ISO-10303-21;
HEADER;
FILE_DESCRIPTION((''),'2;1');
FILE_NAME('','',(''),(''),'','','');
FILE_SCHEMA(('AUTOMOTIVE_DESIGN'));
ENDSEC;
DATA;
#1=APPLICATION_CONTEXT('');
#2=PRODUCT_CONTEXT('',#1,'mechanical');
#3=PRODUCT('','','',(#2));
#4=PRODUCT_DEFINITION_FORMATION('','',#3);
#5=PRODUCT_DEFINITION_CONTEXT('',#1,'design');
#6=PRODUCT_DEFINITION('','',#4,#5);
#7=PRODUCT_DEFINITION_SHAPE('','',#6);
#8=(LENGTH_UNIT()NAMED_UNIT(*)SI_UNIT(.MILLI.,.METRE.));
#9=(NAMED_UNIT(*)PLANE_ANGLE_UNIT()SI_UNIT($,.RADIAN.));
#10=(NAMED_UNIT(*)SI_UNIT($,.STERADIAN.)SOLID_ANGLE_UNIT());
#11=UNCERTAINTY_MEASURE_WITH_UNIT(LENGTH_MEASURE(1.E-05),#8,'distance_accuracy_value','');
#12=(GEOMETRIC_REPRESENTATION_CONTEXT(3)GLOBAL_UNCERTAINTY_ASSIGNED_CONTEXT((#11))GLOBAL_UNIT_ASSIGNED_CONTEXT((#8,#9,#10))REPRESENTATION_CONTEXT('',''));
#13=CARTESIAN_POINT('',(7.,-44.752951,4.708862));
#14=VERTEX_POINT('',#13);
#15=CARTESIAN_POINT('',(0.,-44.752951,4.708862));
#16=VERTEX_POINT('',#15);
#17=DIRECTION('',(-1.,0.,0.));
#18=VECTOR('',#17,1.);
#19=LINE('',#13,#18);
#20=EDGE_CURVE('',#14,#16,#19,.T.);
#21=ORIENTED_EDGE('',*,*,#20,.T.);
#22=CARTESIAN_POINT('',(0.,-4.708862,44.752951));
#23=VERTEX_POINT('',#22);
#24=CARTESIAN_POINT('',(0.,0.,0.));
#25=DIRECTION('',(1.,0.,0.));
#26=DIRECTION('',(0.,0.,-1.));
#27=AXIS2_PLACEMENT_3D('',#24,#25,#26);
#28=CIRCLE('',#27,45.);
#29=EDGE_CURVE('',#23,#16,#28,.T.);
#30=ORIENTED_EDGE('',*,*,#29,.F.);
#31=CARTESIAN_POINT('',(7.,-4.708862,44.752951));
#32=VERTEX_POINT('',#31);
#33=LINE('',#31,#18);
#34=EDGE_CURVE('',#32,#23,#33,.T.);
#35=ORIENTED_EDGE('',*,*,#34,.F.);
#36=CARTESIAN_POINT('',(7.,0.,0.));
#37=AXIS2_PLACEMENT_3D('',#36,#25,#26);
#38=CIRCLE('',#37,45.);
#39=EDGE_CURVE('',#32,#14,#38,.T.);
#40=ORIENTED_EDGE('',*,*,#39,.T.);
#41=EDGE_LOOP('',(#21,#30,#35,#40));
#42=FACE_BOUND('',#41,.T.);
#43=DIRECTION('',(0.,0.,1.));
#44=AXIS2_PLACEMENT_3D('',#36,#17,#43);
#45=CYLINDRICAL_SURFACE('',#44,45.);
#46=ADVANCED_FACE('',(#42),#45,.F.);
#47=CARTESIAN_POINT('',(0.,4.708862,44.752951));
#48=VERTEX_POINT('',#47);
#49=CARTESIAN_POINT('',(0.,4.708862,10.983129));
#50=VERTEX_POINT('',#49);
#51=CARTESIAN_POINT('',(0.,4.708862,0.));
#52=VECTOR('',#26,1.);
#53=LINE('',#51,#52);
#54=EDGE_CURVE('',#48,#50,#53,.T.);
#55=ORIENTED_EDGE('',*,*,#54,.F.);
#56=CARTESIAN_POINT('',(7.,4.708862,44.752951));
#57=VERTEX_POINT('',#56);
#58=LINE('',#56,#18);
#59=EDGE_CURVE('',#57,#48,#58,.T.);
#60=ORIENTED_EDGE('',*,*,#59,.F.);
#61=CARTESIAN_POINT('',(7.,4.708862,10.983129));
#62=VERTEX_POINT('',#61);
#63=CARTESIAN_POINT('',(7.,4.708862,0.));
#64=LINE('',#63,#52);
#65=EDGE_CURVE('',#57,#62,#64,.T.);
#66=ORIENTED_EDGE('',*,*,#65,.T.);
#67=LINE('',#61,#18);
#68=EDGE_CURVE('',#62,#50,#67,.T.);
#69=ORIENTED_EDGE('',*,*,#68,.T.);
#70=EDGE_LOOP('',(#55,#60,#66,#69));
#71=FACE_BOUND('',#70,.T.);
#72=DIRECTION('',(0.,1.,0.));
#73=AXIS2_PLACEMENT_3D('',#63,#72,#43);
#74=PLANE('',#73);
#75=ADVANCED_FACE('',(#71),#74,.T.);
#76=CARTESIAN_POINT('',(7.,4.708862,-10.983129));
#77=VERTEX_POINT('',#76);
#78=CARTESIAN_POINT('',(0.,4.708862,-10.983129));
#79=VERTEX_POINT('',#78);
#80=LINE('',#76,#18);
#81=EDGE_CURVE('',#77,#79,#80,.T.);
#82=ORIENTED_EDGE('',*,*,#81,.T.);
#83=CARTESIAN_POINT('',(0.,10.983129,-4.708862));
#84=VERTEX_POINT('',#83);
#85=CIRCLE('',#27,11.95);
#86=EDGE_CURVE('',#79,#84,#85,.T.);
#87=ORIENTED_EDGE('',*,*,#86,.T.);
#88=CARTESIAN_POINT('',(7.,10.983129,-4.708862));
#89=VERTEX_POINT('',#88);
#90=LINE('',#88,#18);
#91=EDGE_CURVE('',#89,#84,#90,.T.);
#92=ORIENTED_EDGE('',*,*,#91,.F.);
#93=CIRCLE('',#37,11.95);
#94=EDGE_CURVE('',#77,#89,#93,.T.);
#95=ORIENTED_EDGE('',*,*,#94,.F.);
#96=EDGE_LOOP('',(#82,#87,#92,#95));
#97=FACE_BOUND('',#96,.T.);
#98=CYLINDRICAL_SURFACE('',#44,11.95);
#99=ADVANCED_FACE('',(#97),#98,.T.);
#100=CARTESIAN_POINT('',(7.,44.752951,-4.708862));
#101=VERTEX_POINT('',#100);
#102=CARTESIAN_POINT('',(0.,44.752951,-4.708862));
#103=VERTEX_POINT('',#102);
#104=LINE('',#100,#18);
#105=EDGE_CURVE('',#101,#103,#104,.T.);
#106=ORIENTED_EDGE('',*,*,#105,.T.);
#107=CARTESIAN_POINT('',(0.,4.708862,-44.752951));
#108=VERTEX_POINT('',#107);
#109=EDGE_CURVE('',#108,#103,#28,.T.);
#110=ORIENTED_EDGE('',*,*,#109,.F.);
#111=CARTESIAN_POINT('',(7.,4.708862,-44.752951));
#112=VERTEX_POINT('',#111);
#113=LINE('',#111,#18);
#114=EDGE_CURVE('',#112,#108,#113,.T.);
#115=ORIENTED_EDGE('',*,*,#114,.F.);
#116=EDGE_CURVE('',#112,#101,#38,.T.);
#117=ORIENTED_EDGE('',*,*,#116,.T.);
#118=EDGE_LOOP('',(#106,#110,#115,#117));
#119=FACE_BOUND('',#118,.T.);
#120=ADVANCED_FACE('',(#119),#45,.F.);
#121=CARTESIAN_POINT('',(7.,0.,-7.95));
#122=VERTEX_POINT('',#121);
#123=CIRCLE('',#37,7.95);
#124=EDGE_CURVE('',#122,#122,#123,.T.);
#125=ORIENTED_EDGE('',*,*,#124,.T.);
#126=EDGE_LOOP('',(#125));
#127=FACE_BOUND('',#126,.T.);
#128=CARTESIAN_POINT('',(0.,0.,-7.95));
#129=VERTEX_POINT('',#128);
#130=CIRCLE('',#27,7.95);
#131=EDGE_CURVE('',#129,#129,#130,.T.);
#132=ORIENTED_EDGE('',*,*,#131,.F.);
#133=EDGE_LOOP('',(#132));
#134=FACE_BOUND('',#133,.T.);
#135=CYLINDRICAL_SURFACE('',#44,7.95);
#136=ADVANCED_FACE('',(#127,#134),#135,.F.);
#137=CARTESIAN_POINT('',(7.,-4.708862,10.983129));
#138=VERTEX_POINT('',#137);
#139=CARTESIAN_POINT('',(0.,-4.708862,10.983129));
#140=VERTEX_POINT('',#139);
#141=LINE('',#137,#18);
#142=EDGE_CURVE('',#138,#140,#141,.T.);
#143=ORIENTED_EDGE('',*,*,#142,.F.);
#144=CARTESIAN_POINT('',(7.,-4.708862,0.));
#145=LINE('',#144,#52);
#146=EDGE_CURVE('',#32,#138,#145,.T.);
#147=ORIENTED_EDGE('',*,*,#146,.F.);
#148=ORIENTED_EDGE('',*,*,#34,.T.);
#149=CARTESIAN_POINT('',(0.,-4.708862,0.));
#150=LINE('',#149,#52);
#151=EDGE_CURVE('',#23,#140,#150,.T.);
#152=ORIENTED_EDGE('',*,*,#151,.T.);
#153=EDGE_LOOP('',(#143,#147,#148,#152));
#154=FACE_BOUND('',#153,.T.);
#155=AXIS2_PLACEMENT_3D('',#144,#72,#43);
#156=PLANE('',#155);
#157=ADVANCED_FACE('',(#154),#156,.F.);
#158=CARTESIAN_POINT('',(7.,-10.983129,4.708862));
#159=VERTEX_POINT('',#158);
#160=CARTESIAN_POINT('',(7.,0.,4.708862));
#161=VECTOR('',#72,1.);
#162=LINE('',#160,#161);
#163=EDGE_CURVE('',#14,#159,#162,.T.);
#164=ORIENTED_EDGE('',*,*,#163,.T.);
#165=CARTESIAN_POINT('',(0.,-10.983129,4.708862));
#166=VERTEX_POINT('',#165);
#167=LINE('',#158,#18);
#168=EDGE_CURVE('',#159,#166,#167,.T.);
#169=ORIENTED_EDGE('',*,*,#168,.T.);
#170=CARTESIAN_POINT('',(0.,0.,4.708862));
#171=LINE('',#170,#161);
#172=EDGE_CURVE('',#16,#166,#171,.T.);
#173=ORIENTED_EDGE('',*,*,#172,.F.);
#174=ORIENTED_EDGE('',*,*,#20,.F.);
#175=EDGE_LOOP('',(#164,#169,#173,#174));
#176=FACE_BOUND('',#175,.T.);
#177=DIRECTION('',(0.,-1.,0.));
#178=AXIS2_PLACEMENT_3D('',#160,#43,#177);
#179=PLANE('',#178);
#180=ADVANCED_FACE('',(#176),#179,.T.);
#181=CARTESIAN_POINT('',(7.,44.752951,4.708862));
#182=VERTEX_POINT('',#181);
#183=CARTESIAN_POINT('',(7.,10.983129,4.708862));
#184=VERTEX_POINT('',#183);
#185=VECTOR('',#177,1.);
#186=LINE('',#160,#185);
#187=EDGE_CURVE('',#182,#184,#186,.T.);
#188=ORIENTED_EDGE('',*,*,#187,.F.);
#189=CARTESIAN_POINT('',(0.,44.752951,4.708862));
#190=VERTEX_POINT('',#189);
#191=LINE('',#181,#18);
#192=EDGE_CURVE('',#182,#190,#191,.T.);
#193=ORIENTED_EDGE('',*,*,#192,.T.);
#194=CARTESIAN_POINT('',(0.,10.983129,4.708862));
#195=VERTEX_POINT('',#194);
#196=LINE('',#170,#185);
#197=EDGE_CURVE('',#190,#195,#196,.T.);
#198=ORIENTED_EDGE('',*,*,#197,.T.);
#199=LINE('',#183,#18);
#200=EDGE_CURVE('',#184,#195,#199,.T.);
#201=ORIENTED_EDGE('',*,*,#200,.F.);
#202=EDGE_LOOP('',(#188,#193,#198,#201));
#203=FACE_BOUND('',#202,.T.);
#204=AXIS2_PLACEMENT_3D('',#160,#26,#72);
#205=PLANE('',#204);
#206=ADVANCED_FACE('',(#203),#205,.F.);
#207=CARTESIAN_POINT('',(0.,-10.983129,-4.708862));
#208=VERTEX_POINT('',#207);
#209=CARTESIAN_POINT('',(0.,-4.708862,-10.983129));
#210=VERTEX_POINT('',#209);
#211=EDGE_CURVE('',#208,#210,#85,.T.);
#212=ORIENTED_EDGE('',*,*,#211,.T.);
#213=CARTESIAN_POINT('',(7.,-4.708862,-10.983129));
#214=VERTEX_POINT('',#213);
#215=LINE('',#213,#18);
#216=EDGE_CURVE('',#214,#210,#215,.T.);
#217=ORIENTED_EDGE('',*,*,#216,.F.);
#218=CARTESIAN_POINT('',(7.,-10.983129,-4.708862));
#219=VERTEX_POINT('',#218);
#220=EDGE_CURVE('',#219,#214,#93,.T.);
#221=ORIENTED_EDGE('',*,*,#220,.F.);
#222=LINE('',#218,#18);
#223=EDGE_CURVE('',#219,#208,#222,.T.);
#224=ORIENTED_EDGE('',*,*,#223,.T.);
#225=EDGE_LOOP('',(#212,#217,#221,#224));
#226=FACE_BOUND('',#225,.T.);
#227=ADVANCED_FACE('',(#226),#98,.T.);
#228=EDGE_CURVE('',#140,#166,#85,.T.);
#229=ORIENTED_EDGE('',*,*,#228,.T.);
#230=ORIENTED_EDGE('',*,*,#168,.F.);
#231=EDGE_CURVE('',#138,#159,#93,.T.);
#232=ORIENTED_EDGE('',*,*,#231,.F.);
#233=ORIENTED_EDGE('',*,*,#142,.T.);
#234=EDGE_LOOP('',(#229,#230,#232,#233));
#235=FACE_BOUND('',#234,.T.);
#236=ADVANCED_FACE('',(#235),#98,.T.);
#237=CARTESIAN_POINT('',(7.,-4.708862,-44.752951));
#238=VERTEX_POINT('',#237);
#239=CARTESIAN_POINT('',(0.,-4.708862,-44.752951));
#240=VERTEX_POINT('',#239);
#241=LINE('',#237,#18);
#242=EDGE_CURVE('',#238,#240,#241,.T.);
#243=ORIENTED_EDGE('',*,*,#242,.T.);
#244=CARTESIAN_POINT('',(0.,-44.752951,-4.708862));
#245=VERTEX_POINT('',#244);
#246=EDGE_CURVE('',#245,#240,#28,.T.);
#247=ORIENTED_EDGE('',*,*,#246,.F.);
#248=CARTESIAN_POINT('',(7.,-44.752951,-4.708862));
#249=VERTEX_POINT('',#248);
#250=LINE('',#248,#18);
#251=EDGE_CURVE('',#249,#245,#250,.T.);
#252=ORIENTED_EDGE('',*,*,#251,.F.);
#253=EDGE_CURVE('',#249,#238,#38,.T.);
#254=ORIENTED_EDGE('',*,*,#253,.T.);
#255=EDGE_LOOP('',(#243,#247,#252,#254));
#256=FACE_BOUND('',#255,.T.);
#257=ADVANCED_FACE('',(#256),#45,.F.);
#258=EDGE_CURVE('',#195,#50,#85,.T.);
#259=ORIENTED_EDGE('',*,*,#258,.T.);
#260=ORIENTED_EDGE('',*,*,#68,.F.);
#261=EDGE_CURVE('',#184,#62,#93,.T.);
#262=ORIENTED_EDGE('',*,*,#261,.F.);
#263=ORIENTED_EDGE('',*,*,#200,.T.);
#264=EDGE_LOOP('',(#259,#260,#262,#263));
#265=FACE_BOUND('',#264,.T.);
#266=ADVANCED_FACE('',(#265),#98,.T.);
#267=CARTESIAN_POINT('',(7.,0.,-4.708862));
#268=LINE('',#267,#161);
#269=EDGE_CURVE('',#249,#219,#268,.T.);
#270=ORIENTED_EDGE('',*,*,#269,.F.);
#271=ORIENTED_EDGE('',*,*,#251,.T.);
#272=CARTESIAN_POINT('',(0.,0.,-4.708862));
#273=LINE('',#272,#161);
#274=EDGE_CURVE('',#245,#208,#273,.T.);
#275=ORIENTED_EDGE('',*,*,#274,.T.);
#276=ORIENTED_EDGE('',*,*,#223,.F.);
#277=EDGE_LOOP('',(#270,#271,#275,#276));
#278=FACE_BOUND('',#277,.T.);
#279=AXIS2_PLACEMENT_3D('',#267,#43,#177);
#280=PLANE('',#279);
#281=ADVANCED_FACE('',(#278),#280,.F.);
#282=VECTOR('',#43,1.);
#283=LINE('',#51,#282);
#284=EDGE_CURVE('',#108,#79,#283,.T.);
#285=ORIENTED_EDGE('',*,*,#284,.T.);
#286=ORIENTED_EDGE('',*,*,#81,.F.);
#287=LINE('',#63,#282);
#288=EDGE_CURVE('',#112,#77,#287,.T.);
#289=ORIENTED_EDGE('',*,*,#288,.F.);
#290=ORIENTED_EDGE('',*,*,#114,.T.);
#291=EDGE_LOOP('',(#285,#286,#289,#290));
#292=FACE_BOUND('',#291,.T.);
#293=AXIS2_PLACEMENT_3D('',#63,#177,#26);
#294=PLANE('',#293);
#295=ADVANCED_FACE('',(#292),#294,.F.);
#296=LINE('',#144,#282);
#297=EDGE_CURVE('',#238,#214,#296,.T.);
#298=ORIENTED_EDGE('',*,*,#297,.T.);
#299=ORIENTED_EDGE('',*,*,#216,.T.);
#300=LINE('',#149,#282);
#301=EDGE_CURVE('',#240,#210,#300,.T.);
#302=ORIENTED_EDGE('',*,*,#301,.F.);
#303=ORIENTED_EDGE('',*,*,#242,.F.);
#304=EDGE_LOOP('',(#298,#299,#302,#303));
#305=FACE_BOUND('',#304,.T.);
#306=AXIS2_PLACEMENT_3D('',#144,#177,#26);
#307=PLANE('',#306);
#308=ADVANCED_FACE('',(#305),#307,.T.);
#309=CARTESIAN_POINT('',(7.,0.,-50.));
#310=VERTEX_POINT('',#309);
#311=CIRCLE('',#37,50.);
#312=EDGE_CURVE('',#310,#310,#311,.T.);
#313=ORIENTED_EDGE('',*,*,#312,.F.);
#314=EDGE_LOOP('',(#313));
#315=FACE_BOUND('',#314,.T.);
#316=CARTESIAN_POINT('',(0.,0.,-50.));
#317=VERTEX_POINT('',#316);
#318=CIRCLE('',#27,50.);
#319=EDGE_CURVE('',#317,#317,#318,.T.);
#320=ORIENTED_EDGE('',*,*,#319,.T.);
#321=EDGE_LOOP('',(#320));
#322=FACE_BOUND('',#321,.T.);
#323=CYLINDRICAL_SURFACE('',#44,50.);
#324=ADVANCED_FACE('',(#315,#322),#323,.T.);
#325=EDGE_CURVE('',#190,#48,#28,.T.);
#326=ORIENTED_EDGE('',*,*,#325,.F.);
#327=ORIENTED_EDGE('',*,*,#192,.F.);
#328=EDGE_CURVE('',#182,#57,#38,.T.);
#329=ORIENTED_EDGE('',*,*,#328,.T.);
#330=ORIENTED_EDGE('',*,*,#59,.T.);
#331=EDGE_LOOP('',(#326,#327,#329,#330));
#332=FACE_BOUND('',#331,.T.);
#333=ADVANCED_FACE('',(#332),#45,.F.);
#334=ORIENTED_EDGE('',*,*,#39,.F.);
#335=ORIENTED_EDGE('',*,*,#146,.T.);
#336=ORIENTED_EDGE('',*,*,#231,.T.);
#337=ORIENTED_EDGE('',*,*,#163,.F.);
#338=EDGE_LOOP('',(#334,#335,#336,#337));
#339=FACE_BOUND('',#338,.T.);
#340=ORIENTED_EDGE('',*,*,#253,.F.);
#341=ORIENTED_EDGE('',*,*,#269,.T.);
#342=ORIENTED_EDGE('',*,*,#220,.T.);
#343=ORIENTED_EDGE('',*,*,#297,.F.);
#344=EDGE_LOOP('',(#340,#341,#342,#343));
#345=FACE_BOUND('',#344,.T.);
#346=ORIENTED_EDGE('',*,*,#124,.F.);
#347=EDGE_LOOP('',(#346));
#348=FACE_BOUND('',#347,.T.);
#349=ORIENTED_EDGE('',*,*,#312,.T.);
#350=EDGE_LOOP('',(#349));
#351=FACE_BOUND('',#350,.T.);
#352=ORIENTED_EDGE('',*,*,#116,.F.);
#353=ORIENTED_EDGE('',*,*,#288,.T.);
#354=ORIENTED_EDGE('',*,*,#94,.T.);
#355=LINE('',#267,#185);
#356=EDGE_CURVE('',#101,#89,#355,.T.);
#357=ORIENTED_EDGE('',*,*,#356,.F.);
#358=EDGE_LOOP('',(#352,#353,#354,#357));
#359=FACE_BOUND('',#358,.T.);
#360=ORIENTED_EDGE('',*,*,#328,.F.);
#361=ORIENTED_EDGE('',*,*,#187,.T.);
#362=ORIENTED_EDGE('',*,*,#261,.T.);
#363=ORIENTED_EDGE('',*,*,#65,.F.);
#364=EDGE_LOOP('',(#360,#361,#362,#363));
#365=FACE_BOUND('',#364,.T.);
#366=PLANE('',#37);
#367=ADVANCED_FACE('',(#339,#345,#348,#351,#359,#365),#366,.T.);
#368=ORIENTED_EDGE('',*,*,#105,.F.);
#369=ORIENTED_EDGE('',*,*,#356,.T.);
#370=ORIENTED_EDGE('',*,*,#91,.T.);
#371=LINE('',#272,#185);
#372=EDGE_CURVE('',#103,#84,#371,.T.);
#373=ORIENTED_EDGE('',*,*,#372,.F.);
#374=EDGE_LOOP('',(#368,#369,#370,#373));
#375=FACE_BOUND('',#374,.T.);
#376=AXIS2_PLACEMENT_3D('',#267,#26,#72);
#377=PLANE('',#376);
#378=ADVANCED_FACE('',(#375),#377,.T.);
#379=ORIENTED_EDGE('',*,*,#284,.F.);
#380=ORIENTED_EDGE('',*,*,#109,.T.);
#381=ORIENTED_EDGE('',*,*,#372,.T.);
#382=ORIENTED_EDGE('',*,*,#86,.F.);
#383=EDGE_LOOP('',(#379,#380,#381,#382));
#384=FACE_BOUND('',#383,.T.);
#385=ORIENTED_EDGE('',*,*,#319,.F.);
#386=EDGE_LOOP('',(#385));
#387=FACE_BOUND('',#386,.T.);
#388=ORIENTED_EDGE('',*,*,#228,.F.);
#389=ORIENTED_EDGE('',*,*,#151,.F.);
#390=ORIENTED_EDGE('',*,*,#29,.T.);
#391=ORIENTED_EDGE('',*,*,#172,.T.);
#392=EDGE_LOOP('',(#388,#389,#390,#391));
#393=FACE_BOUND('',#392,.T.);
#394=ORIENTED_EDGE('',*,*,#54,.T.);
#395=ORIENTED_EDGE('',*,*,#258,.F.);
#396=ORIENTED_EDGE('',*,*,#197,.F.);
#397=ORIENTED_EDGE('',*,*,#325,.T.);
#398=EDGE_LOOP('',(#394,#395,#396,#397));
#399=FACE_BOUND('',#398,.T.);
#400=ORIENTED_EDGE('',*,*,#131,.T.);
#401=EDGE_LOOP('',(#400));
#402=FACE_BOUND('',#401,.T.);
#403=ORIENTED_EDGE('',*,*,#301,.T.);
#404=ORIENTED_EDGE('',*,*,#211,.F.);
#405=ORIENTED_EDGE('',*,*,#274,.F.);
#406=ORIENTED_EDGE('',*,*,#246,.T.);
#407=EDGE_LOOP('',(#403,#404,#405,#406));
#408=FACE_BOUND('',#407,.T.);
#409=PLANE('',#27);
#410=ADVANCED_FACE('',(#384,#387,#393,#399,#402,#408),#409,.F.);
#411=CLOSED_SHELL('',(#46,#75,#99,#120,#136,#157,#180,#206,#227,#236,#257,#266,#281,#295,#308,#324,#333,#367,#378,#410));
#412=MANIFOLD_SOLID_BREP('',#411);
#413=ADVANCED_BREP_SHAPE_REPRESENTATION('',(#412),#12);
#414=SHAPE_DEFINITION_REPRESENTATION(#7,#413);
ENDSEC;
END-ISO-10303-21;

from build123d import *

# Parameters (mm, degrees)
SKETCH3_R           = 50
BOSS_EXTRUDE3_DEPTH = 7


with BuildPart() as part:
    # Sketch3 → Boss-Extrude3 (new body)
    with BuildSketch(Plane(origin=(0, 0, 0), x_dir=(0, 0, -1), z_dir=(1, 0, 0))):
        Circle(SKETCH3_R)
        with BuildLine():
            Line((-4.708862012, -10.983128814), (-4.708862012, -44.752950948))
            ThreePointArc((-4.708862012, -44.752950948), (-31.819805153, -31.819805153), (-44.752950948, -4.708862012))
            Line((-44.752950948, -4.708862012), (-10.983128814, -4.708862012))
            ThreePointArc((-10.983128814, -4.708862012), (-8.449926035, -8.449926035), (-4.708862012, -10.983128814))
        make_face(mode=Mode.SUBTRACT)
        with BuildLine():
            Line((10.983128814, -4.708862012), (44.752950948, -4.708862012))
            ThreePointArc((44.752950948, -4.708862012), (31.819805153, -31.819805153), (4.708862012, -44.752950948))
            Line((4.708862012, -44.752950948), (4.708862012, -10.983128814))
            ThreePointArc((4.708862012, -10.983128814), (8.449926035, -8.449926035), (10.983128814, -4.708862012))
        make_face(mode=Mode.SUBTRACT)
        with BuildLine():
            ThreePointArc((-44.752950948, 4.708862012), (-31.819805153, 31.819805153), (-4.708862012, 44.752950948))
            Line((-4.708862012, 44.752950948), (-4.708862012, 10.983128814))
            ThreePointArc((-4.708862012, 10.983128814), (-8.449926035, 8.449926035), (-10.983128814, 4.708862012))
            Line((-10.983128814, 4.708862012), (-44.752950948, 4.708862012))
        make_face(mode=Mode.SUBTRACT)
        with BuildLine():
            ThreePointArc((-1.652897942, 7.776273426), (-0.831001283, 7.906449068), (0, 7.95))
            ThreePointArc((0, 7.95), (0.831001283, 7.906449068), (1.652897942, 7.776273426))
            ThreePointArc((1.652897942, 7.776273426), (2.456685105, 7.560899305), (3.233556312, 7.262686388))
            ThreePointArc((3.233556312, 7.262686388), (3.975, 6.88490196), (4.672892756, 6.431685105))
            ThreePointArc((4.672892756, 6.431685105), (5.319588321, 5.908001363), (5.908001363, 5.319588321))
            ThreePointArc((5.908001363, 5.319588321), (6.431685105, 4.672892756), (6.88490196, 3.975))
            ThreePointArc((6.88490196, 3.975), (7.262686388, 3.233556312), (7.560899305, 2.456685105))
            ThreePointArc((7.560899305, 2.456685105), (7.776273426, 1.652897942), (7.906449068, 0.831001283))
            ThreePointArc((7.906449068, 0.831001283), (7.939104801, 0.416070852), (7.95, 0))
            ThreePointArc((7.95, 0), (7.939104801, -0.416070852), (7.906449068, -0.831001283))
            ThreePointArc((7.906449068, -0.831001283), (7.776273426, -1.652897942), (7.560899305, -2.456685105))
            ThreePointArc((7.560899305, -2.456685105), (7.262686388, -3.233556312), (6.88490196, -3.975))
            ThreePointArc((6.88490196, -3.975), (6.431685105, -4.672892756), (5.908001363, -5.319588321))
            ThreePointArc((5.908001363, -5.319588321), (5.319588321, -5.908001363), (4.672892756, -6.431685105))
            ThreePointArc((4.672892756, -6.431685105), (3.975, -6.88490196), (3.233556312, -7.262686388))
            ThreePointArc((3.233556312, -7.262686388), (2.456685105, -7.560899305), (1.652897942, -7.776273426))
            ThreePointArc((1.652897942, -7.776273426), (0.831001283, -7.906449068), (0, -7.95))
            ThreePointArc((0, -7.95), (-0.831001283, -7.906449068), (-1.652897942, -7.776273426))
            ThreePointArc((-1.652897942, -7.776273426), (-2.456685105, -7.560899305), (-3.233556312, -7.262686388))
            ThreePointArc((-3.233556312, -7.262686388), (-3.975, -6.88490196), (-4.672892756, -6.431685105))
            ThreePointArc((-4.672892756, -6.431685105), (-5.319588321, -5.908001363), (-5.908001363, -5.319588321))
            ThreePointArc((-5.908001363, -5.319588321), (-6.431685105, -4.672892756), (-6.88490196, -3.975))
            ThreePointArc((-6.88490196, -3.975), (-7.262686388, -3.233556312), (-7.560899305, -2.456685105))
            ThreePointArc((-7.560899305, -2.456685105), (-7.776273426, -1.652897942), (-7.906449068, -0.831001283))
            ThreePointArc((-7.906449068, -0.831001283), (-7.95, 0), (-7.906449068, 0.831001283))
            ThreePointArc((-7.906449068, 0.831001283), (-7.776273426, 1.652897942), (-7.560899305, 2.456685105))
            ThreePointArc((-7.560899305, 2.456685105), (-7.262686388, 3.233556312), (-6.88490196, 3.975))
            ThreePointArc((-6.88490196, 3.975), (-6.431685105, 4.672892756), (-5.908001363, 5.319588321))
            ThreePointArc((-5.908001363, 5.319588321), (-5.319588321, 5.908001363), (-4.672892756, 6.431685105))
            ThreePointArc((-4.672892756, 6.431685105), (-3.975, 6.88490196), (-3.233556312, 7.262686388))
            ThreePointArc((-3.233556312, 7.262686388), (-2.456685105, 7.560899305), (-1.652897942, 7.776273426))
        make_face(mode=Mode.SUBTRACT)
        with BuildLine():
            Line((4.708862012, 10.983128814), (4.708862012, 44.752950948))
            ThreePointArc((4.708862012, 44.752950948), (31.819805153, 31.819805153), (44.752950948, 4.708862012))
            Line((44.752950948, 4.708862012), (10.983128814, 4.708862012))
            ThreePointArc((10.983128814, 4.708862012), (8.449926035, 8.449926035), (4.708862012, 10.983128814))
        make_face(mode=Mode.SUBTRACT)
    extrude(amount=BOSS_EXTRUDE3_DEPTH)


solid = part.part
